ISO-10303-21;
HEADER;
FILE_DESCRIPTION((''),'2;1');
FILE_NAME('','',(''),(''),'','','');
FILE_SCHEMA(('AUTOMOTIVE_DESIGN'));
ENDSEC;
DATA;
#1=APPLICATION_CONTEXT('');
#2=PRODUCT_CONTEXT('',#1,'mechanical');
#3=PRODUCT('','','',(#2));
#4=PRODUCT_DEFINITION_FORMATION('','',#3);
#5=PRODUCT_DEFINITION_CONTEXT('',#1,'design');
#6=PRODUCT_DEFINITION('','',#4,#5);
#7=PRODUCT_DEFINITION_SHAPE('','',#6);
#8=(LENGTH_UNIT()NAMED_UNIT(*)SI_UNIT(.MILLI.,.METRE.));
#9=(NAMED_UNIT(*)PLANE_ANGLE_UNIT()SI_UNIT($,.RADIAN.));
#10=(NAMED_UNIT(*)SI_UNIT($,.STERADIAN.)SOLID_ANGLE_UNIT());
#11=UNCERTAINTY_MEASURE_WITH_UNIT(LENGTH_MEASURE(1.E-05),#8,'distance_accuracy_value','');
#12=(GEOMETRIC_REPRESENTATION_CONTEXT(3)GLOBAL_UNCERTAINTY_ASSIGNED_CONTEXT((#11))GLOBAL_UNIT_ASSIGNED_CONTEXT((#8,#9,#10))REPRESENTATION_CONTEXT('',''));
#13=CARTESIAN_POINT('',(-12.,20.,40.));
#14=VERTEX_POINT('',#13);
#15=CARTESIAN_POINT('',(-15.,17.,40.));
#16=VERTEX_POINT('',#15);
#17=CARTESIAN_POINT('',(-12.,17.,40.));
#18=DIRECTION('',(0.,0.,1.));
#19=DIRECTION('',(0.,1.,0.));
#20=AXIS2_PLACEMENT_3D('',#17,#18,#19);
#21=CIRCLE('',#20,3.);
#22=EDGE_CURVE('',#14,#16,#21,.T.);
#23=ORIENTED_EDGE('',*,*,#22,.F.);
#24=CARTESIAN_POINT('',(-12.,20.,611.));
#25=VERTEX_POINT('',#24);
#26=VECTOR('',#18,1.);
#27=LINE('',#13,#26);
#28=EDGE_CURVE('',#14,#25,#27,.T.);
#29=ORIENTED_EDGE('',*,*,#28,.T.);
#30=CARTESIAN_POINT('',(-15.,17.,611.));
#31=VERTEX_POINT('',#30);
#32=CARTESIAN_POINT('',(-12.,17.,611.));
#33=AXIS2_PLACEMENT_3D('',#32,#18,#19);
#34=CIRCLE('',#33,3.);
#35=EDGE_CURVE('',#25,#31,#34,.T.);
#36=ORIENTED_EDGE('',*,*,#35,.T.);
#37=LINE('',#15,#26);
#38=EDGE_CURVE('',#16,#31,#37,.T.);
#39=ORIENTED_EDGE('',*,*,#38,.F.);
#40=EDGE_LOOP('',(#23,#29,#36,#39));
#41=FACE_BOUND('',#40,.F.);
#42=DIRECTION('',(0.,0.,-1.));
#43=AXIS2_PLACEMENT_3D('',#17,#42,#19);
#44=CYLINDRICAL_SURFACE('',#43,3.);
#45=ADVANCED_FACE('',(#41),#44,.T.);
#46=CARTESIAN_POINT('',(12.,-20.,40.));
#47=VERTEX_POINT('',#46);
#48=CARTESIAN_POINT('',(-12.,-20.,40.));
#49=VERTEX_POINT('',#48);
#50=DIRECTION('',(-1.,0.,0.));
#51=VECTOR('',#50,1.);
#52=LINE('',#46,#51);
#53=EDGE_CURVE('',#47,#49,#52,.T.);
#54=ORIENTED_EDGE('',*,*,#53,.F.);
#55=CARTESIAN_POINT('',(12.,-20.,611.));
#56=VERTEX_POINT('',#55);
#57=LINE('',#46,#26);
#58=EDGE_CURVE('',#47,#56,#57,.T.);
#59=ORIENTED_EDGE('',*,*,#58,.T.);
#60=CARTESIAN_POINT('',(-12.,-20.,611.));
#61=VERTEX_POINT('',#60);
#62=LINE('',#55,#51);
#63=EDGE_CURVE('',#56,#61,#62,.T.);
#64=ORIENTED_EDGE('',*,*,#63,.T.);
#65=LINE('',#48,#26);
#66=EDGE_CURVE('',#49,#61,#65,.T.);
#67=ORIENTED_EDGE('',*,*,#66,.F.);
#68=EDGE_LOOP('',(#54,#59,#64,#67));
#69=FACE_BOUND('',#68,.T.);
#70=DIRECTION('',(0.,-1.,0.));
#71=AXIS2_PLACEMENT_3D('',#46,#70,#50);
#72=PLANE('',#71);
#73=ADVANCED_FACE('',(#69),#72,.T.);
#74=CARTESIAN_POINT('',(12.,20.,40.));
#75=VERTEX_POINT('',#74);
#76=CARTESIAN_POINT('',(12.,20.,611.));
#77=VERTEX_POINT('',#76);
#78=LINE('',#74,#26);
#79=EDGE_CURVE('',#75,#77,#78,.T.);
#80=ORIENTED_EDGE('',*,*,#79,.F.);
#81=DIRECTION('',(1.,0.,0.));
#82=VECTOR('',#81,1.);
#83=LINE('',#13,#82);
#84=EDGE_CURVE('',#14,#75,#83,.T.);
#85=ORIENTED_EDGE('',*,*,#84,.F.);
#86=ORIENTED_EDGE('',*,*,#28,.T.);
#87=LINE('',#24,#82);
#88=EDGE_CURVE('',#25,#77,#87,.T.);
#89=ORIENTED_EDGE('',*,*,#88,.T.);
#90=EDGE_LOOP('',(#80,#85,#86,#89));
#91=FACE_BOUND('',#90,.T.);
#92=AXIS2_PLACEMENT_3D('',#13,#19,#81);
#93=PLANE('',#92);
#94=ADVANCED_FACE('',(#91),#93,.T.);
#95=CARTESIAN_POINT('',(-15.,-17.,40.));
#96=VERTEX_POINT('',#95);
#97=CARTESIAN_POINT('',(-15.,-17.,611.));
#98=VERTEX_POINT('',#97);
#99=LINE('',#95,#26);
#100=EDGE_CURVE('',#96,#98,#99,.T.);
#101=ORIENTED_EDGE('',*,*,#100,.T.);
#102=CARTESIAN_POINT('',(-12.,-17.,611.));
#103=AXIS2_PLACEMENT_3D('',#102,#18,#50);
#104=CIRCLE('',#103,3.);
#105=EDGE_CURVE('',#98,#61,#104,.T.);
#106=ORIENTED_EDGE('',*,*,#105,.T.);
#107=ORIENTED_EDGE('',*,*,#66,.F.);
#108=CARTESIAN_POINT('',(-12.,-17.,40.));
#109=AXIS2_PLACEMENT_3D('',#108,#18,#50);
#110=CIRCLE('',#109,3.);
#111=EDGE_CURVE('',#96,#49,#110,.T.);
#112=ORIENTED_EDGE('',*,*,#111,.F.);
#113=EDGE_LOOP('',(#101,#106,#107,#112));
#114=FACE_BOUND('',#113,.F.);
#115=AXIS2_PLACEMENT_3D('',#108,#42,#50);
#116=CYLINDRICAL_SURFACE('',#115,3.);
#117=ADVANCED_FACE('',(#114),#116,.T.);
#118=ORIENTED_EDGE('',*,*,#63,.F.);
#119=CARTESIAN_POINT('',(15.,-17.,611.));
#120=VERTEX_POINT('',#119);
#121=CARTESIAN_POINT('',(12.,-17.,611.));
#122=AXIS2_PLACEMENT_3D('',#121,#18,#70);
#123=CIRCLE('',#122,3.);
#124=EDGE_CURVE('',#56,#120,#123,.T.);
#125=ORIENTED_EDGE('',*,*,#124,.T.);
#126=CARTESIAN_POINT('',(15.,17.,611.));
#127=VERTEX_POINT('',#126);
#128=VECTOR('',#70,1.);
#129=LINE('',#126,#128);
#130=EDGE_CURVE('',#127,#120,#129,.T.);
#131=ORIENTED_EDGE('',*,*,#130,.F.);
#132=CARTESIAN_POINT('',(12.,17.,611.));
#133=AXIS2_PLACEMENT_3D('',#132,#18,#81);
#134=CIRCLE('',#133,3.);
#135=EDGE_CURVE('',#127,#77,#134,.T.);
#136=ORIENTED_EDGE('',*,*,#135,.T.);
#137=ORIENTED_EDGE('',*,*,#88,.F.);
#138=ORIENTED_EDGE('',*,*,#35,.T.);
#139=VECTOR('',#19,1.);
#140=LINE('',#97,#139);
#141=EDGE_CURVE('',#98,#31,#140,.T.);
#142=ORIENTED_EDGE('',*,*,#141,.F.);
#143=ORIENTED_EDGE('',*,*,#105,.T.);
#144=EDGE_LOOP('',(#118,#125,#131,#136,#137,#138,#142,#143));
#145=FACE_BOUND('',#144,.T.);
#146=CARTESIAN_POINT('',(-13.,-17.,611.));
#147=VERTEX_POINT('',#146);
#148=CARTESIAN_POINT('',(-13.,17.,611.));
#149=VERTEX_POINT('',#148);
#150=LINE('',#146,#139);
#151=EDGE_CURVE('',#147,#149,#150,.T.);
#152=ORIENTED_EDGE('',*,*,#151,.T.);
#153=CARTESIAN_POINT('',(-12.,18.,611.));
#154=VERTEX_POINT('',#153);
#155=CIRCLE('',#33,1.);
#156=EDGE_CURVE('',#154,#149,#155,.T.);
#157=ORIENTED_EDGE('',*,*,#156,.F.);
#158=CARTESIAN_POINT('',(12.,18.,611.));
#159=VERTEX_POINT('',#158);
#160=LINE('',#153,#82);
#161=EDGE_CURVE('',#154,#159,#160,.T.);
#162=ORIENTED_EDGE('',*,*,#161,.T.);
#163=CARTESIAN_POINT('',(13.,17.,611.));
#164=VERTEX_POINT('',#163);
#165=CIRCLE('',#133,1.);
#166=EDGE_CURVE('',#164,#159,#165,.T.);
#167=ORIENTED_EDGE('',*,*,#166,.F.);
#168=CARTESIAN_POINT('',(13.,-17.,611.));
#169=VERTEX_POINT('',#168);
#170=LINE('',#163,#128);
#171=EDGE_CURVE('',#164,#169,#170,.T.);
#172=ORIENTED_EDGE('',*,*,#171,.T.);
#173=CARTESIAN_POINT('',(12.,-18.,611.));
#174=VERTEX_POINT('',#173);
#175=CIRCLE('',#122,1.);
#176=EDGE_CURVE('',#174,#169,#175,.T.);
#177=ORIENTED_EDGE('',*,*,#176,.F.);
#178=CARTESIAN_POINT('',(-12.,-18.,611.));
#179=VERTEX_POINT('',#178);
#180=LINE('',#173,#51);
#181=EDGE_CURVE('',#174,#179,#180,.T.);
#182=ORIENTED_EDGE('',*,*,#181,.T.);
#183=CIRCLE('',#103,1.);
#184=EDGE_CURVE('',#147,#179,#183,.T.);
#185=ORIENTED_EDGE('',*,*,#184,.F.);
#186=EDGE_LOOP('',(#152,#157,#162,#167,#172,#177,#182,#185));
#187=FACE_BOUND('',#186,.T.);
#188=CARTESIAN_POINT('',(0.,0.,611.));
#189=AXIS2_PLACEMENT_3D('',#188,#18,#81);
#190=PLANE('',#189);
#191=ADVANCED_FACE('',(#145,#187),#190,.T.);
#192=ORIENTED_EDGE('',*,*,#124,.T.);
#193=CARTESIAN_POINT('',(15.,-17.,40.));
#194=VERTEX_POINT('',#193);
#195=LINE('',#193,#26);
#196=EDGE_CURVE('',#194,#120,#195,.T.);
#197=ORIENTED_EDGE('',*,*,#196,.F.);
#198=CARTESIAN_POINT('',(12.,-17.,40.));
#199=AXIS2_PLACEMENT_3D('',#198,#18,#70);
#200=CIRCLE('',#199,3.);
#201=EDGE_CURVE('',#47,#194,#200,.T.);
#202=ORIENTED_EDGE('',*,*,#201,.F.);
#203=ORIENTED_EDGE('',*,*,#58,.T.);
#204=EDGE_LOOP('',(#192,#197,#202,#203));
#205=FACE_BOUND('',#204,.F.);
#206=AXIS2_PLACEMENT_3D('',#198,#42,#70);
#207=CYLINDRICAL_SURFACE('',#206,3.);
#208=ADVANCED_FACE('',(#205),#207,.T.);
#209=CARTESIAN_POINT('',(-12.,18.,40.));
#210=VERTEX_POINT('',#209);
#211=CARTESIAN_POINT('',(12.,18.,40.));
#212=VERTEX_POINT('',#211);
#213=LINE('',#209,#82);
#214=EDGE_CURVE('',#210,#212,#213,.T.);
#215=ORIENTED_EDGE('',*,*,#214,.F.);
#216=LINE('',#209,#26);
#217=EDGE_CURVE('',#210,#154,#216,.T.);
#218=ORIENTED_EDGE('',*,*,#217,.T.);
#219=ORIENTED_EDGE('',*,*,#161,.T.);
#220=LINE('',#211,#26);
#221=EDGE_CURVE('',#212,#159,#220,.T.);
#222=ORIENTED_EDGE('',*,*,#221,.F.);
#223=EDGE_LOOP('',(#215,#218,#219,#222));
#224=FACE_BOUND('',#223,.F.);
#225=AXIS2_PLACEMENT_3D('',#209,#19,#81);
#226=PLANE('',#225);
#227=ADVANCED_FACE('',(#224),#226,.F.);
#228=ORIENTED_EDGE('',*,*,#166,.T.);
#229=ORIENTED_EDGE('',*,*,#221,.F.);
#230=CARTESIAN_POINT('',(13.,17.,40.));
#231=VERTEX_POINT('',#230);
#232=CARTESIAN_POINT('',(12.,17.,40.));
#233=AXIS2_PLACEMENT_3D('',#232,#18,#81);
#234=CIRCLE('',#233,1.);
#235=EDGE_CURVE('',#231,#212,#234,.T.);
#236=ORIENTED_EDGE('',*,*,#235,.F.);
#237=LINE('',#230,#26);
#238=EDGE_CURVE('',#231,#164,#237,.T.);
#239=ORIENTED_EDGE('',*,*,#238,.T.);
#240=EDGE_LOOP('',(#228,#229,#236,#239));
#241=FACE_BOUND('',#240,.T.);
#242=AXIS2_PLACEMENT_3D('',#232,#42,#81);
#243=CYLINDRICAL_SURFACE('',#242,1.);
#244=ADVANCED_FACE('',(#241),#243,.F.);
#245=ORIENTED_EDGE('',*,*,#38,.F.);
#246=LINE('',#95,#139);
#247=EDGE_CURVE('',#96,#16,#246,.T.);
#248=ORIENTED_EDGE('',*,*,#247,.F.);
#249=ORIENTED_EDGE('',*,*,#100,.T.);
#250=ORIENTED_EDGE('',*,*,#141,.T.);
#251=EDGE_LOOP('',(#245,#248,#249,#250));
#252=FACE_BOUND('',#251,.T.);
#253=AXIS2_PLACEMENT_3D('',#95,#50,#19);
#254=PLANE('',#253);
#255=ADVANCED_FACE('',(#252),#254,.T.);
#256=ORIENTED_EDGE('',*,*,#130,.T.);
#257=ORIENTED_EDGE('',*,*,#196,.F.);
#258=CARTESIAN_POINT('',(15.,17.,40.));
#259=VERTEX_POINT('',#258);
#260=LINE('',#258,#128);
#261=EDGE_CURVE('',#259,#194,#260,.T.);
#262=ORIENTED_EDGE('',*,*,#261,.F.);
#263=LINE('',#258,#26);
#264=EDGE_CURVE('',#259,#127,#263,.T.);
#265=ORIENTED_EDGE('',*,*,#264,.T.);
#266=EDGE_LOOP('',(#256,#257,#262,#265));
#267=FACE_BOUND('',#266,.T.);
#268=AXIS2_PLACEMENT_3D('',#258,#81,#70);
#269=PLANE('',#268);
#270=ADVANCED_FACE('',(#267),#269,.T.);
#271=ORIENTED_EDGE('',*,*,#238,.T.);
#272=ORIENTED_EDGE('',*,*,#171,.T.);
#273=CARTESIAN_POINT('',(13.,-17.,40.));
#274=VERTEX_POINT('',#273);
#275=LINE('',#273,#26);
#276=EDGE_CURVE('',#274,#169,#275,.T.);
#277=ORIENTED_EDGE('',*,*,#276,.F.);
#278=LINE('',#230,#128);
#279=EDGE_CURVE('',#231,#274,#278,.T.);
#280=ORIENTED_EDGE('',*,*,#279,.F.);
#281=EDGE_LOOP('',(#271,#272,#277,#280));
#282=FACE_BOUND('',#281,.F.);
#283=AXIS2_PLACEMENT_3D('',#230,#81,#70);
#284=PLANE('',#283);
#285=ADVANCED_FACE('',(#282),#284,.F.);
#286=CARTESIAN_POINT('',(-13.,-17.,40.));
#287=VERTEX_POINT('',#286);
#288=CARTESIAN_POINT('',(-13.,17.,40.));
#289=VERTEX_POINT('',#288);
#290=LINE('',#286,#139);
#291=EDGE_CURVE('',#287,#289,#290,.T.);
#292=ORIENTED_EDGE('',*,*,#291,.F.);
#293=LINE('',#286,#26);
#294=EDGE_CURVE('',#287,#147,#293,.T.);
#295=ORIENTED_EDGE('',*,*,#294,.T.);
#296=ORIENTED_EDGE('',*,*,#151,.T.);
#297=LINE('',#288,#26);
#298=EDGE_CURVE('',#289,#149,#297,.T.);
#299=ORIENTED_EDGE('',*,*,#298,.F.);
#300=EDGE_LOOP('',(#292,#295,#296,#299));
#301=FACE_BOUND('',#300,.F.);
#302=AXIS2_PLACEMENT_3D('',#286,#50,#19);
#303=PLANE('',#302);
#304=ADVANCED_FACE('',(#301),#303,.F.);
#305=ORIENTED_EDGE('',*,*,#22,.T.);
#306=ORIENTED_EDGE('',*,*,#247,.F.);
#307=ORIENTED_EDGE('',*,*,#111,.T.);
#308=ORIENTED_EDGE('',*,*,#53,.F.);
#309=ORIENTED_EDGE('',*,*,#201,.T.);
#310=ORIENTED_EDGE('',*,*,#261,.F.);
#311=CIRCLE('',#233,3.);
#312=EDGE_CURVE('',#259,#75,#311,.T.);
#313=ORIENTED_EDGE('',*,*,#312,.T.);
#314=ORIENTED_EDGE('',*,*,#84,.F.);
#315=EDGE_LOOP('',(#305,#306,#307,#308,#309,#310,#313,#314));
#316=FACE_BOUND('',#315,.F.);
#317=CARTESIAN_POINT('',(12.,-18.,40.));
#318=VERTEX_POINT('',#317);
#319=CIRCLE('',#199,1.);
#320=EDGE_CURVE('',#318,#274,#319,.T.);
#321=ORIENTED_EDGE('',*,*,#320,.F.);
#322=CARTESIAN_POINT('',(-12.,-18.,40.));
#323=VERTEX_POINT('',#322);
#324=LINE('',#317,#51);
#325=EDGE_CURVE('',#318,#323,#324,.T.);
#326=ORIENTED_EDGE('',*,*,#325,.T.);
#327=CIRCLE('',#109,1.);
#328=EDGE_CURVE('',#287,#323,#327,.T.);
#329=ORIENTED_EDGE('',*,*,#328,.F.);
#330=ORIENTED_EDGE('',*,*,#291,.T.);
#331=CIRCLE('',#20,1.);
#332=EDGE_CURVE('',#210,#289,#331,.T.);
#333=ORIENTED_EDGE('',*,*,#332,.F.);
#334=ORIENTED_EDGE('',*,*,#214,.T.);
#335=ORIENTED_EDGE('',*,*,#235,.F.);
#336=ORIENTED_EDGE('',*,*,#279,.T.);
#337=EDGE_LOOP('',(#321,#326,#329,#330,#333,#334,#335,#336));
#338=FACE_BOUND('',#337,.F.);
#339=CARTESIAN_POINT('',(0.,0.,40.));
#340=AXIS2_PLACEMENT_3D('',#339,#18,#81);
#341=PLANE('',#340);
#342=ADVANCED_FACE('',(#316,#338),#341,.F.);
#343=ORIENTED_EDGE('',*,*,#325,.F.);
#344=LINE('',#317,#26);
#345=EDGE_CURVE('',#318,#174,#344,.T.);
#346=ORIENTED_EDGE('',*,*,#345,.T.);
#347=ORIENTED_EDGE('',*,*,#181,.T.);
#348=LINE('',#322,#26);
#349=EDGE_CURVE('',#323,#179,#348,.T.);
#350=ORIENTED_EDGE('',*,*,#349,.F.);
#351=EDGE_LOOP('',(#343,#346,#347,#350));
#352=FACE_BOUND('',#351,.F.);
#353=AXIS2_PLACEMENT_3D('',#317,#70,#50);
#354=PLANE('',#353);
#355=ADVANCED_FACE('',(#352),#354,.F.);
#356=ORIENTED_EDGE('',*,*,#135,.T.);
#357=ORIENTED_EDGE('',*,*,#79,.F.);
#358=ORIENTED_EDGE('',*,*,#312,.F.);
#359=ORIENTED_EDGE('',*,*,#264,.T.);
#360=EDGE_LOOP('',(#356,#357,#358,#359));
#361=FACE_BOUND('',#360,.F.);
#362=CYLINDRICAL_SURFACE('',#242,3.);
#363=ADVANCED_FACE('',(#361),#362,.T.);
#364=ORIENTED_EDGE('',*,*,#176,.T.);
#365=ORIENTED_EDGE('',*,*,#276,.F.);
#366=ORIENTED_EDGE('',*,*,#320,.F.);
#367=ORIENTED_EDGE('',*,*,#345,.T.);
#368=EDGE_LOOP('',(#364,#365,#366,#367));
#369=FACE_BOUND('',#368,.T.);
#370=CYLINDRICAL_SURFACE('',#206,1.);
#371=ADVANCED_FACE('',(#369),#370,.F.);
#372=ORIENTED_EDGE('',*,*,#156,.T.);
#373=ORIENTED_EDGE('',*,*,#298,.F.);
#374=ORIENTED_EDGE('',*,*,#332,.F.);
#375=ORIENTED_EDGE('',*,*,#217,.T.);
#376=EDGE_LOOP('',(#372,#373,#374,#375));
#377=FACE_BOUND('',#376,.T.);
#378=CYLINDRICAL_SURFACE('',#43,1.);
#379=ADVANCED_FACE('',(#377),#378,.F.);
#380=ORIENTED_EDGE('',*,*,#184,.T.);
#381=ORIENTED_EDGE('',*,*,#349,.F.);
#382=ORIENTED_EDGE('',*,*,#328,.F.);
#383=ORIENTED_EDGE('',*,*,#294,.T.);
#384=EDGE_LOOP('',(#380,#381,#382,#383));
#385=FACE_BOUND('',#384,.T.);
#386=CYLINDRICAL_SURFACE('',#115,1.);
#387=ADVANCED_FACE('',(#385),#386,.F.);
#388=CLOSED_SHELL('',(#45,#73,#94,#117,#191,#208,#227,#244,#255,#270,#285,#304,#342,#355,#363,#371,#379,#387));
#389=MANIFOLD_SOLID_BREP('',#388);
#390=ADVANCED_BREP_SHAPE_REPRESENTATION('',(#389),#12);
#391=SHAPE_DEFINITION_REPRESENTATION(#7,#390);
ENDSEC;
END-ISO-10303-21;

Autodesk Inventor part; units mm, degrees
ref_plane "Start plane" through (0, 0, 40) normal (0, 0, 1) x (1, 0, 0)
ref_plane "End plane" through (0, 0, 611) normal (0, 0, 1) x (1, 0, 0)
sketch "Sketch" plane through (0, 0, 0) normal (0, 0, 1) x (1, 0, 0)
  line L0 (-15, -17) -> (-15, 17)
  line L1 (-12, 20) -> (12, 20)
  line L2 (15, 17) -> (15, -17)
  line L3 (12, -20) -> (-12, -20)
  arc A0 (-15, -17) -> (-12, -20) centre (-12, -17) ccw
  arc A1 (-12, 20) -> (-15, 17) centre (-12, 17) ccw
  arc A2 (15, 17) -> (12, 20) centre (12, 17) ccw
  arc A3 (12, -20) -> (15, -17) centre (12, -17) ccw
  arc A4 (-12, 18) -> (-13, 17) centre (-12, 17) ccw
  line L4 (-12, 18) -> (12, 18)
  arc A5 (13, 17) -> (12, 18) centre (12, 17) ccw
  line L5 (13, 17) -> (13, -17)
  arc A6 (12, -18) -> (13, -17) centre (12, -17) ccw
  line L6 (12, -18) -> (-12, -18)
  arc A7 (-13, -17) -> (-12, -18) centre (-12, -17) ccw
  line L7 (-13, -17) -> (-13, 17)
  line L8 (0, 28.8698) -> (0, -28.8698) construction
  line L9 (-14.8698, 0) -> (14.8698, 0) construction
  dimension "d7" = 3
  dimension "d10" = 40
  dimension "d11" = 30
  dimension "d12" = 2
  dimension "d15" = 20
  dimension "d16" = 15
extrude "Body" add sketch "Sketch" along normal up to surface (571 mm away) from surface at 40
sketch "Sketch3" plane through (0, 0, 0) normal (0, 0, 1) x (1, 0, 0)
  line L0 (0, 0) -> (10, 0)
ref_plane "Work Plane3" through (0, 0, 0) normal (0, -1, 0) x (1, 0, 0)
sketch "Sketch4" plane through (0, 0, 0) normal (0, -1, 0) x (1, 0, 0)
  line L0 (-2, 40) -> (12, 40)
  line L1 (-2, 611) -> (12, 611)
  dimension "d18" = 571
ref_plane "Work Plane4" through (7, 120, 611) normal (0, 0, 1) x (1, 0, 0)
split "Split1" plane through (7, 120, 611) removes the side toward (0, 0, 1)
ref_plane "Work Plane5" through (-7, 120, 40) normal (0, 0, -1) x (-1, 0, 0)
split "Split2" plane through (-7, 120, 40) removes the side toward (0, 0, -1)
equation "\"d7\" = G_IR"
equation "\"d10\" = G_H"
equation "\"d11\" = G_W"
equation "\"d12\" = G_T"
equation "\"d15\" = 0.5 * d10"
equation "\"d16\" = 0.5 * d11"
equation "\"d3\" = G_L"
equation "\"G_W\" = 30"
equation "\"G_H\" = 40"
equation "\"G_T\" = 2"
equation "\"G_IR\" = 3"
equation "\"G_L\" = d18"
equation "\"G_OFFSET_START\" = -40"
equation "\"G_OFFSET_END\" = -40"
equation "\"d13\" = -G_OFFSET_START"
equation "\"d14\" = G_OFFSET_END + B_L"
equation "\"B_L\" = 651"
properties part number "UNI EN 10305-5 - 40 x 30 x 2  - 571" material "Steel, Mild"
